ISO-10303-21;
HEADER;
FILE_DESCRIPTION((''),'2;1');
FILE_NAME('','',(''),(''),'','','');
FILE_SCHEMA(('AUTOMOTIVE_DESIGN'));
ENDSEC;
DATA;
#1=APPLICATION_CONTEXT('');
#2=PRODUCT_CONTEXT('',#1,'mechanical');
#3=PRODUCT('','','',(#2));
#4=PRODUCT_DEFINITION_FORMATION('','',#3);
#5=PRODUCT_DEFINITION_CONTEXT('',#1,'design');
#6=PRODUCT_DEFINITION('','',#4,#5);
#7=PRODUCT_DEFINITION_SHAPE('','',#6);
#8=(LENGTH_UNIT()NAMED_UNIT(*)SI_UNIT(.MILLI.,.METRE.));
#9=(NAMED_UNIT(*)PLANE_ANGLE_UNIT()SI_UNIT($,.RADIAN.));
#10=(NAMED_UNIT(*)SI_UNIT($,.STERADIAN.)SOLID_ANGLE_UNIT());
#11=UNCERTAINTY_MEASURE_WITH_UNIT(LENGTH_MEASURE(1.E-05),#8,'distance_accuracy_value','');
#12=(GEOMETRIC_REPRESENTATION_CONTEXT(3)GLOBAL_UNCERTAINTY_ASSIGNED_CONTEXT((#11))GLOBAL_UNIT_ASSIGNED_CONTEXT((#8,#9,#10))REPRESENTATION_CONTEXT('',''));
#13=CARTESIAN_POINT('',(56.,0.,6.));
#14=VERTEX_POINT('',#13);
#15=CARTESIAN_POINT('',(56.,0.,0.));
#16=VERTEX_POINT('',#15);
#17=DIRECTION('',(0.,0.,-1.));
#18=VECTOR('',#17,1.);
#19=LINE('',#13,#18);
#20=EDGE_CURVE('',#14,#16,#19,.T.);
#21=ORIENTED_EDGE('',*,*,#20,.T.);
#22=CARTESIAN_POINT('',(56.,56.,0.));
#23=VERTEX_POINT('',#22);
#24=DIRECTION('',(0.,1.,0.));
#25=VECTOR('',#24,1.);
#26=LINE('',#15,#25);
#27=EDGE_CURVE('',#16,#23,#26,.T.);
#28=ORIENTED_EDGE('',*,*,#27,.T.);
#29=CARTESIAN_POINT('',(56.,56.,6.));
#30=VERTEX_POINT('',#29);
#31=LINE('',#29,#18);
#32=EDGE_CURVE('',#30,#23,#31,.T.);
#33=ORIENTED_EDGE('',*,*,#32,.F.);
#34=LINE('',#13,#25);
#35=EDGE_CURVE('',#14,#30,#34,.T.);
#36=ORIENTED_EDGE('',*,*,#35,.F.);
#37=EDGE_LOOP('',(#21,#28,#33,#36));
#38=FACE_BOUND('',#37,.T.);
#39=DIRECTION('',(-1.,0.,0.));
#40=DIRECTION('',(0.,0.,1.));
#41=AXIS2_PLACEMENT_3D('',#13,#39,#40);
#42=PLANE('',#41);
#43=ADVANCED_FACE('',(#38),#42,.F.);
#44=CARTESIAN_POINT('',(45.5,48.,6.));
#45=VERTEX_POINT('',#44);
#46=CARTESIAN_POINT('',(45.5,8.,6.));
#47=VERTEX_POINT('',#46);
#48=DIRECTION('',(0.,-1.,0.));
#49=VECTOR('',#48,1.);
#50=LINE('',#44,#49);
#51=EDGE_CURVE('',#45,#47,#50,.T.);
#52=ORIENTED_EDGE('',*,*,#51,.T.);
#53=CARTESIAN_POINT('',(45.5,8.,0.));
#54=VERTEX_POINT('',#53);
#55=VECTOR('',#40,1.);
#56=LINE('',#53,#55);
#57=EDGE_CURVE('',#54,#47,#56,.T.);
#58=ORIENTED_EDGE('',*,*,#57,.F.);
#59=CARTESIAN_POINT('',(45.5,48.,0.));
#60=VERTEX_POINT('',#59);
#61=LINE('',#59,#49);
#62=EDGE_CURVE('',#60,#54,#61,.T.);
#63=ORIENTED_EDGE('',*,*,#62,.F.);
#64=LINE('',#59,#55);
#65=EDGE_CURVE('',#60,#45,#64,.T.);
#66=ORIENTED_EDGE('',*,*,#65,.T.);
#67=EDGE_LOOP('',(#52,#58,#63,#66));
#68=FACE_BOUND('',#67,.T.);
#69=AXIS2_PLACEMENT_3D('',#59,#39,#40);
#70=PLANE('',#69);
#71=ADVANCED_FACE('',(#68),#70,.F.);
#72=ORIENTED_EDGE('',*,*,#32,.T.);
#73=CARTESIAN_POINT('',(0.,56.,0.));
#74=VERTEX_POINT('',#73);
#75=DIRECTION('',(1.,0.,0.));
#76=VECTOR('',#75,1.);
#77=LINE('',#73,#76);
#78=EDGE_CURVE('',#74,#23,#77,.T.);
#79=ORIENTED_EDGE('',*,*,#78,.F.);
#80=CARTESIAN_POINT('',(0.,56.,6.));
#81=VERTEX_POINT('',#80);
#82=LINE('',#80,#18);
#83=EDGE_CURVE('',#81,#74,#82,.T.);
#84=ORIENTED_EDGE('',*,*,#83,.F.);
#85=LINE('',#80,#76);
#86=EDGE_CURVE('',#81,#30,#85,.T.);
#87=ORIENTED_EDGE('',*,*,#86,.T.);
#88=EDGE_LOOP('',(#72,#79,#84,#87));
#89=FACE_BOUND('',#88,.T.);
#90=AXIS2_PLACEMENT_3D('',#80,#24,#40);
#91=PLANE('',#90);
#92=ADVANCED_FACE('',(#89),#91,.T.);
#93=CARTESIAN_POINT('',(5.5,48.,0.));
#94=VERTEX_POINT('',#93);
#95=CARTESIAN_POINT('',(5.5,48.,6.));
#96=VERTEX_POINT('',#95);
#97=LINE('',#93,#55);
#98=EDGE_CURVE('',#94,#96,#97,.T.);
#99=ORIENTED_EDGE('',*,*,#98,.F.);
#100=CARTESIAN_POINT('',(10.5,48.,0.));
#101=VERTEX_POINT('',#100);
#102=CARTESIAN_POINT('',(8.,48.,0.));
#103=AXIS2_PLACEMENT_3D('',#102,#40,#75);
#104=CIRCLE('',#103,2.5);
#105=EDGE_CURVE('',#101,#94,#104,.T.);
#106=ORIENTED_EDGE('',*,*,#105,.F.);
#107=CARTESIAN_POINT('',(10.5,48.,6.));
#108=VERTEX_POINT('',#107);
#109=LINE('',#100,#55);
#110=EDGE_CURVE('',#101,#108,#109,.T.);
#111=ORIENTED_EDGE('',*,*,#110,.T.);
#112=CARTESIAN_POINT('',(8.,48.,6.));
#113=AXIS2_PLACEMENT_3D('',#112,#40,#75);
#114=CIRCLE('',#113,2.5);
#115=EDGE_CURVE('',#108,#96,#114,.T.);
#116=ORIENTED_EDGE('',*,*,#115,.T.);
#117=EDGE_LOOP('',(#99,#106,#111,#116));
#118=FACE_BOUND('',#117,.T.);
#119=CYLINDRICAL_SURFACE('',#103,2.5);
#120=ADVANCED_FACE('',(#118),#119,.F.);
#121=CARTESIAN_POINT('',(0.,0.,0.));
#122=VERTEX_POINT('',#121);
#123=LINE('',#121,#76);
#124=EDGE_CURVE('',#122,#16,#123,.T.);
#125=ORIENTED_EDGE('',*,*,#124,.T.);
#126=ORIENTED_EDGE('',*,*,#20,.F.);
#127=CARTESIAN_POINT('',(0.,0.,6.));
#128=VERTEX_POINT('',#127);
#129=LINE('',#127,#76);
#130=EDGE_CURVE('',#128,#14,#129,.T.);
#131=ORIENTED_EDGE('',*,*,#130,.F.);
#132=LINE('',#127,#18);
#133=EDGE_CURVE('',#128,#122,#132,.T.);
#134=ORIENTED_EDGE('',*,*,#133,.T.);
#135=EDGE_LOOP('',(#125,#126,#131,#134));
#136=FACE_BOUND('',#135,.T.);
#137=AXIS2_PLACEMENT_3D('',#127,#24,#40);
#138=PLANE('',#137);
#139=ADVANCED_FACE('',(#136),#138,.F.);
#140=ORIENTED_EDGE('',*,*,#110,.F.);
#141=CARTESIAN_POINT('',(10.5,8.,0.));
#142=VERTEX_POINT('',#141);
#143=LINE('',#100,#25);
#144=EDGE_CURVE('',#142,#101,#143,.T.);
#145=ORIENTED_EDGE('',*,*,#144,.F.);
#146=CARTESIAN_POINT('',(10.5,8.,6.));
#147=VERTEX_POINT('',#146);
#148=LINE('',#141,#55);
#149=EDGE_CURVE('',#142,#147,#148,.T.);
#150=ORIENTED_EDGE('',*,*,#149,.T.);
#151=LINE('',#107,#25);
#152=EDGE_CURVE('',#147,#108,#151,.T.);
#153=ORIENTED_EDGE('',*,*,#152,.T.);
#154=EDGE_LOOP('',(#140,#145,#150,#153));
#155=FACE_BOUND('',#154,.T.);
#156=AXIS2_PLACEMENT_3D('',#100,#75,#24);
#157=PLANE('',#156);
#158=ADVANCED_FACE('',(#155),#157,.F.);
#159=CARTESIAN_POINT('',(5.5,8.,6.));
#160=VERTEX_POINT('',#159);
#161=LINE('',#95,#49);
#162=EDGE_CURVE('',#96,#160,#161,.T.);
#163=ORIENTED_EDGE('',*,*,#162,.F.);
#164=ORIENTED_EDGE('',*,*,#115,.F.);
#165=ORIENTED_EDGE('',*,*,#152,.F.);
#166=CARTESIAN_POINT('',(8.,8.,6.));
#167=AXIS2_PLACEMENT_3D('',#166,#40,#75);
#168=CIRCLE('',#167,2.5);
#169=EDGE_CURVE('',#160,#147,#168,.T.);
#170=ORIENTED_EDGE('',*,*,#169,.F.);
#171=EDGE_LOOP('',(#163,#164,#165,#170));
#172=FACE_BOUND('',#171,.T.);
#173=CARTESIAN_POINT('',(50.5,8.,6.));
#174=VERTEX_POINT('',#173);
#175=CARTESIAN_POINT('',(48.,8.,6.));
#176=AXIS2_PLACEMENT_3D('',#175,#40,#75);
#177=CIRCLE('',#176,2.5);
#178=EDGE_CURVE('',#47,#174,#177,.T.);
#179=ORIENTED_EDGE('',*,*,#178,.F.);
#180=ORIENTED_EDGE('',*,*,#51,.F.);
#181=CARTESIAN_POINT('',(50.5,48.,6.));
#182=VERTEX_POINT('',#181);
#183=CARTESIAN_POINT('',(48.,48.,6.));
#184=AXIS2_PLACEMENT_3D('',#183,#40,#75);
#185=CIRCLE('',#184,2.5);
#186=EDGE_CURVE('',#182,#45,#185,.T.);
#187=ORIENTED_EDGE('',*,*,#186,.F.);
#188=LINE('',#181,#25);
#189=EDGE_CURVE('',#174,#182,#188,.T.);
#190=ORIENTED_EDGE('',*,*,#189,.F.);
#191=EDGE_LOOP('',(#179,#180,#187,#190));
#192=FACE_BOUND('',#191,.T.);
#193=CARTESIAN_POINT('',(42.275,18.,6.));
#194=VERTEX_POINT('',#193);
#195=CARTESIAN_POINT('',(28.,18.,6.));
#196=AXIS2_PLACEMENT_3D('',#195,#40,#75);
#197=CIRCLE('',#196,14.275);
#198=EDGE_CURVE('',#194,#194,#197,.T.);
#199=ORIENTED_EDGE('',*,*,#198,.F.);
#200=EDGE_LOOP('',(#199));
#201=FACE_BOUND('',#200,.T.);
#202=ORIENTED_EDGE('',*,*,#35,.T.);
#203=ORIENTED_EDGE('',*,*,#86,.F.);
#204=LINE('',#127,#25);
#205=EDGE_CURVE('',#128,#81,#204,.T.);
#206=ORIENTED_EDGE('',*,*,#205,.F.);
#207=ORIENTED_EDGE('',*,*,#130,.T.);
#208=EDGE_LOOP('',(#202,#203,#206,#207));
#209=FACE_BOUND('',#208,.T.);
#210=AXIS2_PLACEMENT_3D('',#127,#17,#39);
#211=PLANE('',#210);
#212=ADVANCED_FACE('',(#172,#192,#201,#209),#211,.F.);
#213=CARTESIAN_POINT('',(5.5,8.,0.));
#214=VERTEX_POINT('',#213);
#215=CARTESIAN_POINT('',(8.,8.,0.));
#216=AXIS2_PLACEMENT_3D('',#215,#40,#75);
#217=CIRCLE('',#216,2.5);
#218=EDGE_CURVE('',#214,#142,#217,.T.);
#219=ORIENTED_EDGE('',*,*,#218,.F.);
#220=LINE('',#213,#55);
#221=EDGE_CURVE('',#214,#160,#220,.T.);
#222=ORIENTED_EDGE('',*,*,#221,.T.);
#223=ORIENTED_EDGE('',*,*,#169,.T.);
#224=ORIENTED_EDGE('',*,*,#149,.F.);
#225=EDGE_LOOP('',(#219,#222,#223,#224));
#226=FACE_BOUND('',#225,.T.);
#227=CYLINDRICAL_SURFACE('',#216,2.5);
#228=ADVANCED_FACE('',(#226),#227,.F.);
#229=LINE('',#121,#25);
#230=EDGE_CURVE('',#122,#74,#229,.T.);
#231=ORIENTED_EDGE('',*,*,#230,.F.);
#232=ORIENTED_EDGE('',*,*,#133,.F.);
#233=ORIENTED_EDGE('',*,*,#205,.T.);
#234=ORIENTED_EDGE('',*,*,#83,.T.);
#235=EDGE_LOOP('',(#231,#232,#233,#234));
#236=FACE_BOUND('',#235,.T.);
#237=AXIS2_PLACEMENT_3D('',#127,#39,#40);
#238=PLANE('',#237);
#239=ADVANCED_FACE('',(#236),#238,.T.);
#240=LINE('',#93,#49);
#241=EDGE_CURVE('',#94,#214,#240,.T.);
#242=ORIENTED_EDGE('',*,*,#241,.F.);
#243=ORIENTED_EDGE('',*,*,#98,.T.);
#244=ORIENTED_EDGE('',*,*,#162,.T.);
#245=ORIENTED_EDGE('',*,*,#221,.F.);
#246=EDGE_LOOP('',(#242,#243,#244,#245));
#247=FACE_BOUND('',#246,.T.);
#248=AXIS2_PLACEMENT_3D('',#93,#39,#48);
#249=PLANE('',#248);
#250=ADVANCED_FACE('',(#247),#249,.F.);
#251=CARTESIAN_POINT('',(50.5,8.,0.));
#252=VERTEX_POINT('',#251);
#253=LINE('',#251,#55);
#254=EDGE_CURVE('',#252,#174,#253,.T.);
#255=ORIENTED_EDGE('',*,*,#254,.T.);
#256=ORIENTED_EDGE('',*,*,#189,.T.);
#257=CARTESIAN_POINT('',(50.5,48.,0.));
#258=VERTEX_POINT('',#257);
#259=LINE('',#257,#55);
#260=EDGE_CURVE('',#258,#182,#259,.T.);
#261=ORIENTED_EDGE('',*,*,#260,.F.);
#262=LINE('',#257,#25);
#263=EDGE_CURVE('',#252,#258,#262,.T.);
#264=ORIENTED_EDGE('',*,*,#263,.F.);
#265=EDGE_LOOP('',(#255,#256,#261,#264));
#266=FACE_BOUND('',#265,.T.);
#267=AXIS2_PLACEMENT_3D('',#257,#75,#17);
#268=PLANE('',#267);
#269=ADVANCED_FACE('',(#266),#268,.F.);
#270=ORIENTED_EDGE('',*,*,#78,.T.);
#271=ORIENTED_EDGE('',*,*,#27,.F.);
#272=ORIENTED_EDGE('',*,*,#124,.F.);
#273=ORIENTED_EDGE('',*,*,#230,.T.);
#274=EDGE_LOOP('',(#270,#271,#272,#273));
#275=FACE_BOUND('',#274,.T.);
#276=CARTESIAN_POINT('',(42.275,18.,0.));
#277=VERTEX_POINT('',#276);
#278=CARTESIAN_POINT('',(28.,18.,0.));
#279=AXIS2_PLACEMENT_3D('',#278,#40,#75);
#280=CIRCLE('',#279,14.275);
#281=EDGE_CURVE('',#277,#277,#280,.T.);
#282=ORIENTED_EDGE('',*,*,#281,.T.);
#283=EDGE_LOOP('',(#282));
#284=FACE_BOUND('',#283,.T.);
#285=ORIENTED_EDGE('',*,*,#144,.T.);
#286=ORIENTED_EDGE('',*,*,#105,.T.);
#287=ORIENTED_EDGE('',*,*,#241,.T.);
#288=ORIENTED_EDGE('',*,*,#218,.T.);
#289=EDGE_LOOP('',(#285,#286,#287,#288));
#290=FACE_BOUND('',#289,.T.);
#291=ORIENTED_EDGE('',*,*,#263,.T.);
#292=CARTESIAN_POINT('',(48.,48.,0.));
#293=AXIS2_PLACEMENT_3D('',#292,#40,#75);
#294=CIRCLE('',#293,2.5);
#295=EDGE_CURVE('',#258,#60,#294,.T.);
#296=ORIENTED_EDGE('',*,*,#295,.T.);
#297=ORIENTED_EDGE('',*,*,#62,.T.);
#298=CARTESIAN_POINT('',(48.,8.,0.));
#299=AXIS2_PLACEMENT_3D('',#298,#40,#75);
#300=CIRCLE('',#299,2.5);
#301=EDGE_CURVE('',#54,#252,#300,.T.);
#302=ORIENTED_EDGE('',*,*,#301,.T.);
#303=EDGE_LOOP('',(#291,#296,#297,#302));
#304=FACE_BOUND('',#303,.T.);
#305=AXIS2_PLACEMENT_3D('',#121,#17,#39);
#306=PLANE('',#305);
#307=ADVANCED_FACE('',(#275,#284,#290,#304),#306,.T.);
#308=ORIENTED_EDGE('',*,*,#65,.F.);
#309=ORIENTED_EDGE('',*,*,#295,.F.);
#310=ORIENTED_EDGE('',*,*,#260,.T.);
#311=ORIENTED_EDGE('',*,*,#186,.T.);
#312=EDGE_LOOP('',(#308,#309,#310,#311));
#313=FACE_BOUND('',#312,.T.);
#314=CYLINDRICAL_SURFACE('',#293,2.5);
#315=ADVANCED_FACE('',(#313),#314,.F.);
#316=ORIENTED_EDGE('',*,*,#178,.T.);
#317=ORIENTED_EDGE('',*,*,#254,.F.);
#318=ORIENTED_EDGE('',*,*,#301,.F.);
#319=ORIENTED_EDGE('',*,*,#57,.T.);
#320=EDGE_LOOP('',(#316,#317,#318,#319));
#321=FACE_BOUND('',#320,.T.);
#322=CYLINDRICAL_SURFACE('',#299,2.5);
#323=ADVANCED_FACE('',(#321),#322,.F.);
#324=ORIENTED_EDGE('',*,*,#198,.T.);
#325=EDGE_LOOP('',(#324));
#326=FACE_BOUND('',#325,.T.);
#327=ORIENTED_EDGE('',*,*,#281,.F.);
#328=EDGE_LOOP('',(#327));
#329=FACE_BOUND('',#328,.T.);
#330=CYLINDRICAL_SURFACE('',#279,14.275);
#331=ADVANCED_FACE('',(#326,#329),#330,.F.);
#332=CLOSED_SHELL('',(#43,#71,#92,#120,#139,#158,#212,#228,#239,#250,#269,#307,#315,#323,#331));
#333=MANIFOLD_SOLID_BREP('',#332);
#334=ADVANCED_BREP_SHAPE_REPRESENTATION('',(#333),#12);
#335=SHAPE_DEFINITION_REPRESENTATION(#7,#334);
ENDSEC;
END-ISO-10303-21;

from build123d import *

# Parameters (mm, degrees)
SKETCH1_W           = 56
SKETCH1_H           = 56
BOSS_EXTRUDE1_DEPTH = 6
SKETCH2_R           = 14.275
CUT_EXTRUDE1_DEPTH  = 6


with BuildPart() as part:
    # Sketch1 → Boss-Extrude1 (new body)
    with BuildSketch(Plane.XY):
        with Locations((28, 28)):
            Rectangle(SKETCH1_W, SKETCH1_H)
    extrude(amount=BOSS_EXTRUDE1_DEPTH)

    # Sketch2 → Cut-Extrude1 (cut)
    with BuildSketch(Plane.XY.offset(6)):
        with Locations((28, 18)):
            Circle(SKETCH2_R)
        with BuildLine():
            Line((10.5, 48), (10.5, 8))
            ThreePointArc((10.5, 8), (8, 5.5), (5.5, 8))
            Line((5.5, 8), (5.5, 48))
            ThreePointArc((5.5, 48), (8, 50.5), (10.5, 48))
        make_face()
        with BuildLine():
            Line((50.5, 48), (50.5, 8))
            ThreePointArc((50.5, 8), (48, 5.5), (45.5, 8))
            Line((45.5, 8), (45.5, 48))
            ThreePointArc((45.5, 48), (48, 50.5), (50.5, 48))
        make_face()
    extrude(amount=-CUT_EXTRUDE1_DEPTH, mode=Mode.SUBTRACT)


solid = part.part
